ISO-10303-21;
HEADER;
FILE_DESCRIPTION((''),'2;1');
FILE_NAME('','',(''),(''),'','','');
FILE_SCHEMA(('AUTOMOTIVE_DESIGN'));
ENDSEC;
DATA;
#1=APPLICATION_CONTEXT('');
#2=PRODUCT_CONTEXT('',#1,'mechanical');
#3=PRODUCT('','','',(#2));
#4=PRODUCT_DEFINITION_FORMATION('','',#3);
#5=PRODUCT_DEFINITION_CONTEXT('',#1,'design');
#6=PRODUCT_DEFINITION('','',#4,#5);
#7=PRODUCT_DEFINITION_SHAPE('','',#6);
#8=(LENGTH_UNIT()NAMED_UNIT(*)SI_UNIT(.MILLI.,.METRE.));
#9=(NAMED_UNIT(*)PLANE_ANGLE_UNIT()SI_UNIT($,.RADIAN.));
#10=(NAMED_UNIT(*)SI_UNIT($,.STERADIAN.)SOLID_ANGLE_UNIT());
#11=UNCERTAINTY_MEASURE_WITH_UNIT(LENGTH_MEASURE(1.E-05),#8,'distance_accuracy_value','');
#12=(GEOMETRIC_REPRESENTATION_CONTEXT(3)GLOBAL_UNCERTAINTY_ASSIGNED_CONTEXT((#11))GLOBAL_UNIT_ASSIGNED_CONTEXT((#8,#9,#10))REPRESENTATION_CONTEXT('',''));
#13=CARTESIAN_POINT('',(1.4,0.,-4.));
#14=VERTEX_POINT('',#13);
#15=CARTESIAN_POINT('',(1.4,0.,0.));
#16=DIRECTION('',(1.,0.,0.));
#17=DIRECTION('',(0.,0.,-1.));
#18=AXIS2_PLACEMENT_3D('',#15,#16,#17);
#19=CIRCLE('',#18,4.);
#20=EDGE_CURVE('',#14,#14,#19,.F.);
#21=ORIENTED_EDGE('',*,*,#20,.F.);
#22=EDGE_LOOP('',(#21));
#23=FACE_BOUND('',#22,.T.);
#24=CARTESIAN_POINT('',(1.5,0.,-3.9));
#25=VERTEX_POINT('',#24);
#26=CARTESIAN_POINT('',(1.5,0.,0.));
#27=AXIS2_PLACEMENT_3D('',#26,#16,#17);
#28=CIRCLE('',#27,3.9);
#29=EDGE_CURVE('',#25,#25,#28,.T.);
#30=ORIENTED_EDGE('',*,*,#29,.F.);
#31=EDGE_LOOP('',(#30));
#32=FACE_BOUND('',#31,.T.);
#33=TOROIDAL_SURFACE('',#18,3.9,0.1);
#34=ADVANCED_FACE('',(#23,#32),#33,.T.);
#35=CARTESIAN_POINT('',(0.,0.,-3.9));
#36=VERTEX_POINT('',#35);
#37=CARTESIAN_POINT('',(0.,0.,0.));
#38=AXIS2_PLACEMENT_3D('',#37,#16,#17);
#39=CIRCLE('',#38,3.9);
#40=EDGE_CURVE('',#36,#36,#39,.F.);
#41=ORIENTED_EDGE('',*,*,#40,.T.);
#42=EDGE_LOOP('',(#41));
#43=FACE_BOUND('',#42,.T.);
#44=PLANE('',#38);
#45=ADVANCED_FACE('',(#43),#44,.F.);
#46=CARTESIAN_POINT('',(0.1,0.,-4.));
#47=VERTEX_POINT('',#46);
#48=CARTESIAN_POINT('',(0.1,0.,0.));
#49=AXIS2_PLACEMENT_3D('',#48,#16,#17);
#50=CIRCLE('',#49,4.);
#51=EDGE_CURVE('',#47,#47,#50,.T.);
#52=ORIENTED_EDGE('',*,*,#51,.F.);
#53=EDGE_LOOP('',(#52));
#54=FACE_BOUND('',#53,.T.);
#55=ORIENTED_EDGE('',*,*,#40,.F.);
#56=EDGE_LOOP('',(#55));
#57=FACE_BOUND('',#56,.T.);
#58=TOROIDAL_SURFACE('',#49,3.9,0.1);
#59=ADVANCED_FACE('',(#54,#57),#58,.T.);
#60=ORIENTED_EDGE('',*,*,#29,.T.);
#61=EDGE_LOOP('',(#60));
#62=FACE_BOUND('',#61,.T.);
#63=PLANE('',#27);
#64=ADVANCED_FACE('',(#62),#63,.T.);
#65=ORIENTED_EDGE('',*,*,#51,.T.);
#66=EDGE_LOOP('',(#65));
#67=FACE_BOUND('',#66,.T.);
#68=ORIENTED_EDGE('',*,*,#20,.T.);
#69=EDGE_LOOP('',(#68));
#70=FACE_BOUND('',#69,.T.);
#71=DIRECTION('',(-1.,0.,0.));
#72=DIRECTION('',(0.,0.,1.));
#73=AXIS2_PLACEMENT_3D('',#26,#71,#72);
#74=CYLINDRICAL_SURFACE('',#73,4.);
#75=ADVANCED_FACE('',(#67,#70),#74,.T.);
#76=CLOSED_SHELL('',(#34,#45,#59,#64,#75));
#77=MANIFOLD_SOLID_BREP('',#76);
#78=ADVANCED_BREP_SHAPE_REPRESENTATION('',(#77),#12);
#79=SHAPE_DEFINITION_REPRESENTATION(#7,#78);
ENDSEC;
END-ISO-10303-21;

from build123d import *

# Parameters (mm, degrees)
SKETCH1_R           = 4
BOSS_EXTRUDE1_DEPTH = 1.5
FILLET1_R           = 0.1


with BuildPart() as part:
    # Sketch1 → Boss-Extrude1 (new body)
    with BuildSketch(Plane.YZ):
        Circle(SKETCH1_R)
    extrude(amount=BOSS_EXTRUDE1_DEPTH)

    # Fillet1
    fillet1_edges = [part.edges().sort_by_distance(p)[0] for p in [
        (0, -4, 0),
        (1.5, -4, 0),
    ]]
    fillet(fillet1_edges, radius=FILLET1_R)


solid = part.part
